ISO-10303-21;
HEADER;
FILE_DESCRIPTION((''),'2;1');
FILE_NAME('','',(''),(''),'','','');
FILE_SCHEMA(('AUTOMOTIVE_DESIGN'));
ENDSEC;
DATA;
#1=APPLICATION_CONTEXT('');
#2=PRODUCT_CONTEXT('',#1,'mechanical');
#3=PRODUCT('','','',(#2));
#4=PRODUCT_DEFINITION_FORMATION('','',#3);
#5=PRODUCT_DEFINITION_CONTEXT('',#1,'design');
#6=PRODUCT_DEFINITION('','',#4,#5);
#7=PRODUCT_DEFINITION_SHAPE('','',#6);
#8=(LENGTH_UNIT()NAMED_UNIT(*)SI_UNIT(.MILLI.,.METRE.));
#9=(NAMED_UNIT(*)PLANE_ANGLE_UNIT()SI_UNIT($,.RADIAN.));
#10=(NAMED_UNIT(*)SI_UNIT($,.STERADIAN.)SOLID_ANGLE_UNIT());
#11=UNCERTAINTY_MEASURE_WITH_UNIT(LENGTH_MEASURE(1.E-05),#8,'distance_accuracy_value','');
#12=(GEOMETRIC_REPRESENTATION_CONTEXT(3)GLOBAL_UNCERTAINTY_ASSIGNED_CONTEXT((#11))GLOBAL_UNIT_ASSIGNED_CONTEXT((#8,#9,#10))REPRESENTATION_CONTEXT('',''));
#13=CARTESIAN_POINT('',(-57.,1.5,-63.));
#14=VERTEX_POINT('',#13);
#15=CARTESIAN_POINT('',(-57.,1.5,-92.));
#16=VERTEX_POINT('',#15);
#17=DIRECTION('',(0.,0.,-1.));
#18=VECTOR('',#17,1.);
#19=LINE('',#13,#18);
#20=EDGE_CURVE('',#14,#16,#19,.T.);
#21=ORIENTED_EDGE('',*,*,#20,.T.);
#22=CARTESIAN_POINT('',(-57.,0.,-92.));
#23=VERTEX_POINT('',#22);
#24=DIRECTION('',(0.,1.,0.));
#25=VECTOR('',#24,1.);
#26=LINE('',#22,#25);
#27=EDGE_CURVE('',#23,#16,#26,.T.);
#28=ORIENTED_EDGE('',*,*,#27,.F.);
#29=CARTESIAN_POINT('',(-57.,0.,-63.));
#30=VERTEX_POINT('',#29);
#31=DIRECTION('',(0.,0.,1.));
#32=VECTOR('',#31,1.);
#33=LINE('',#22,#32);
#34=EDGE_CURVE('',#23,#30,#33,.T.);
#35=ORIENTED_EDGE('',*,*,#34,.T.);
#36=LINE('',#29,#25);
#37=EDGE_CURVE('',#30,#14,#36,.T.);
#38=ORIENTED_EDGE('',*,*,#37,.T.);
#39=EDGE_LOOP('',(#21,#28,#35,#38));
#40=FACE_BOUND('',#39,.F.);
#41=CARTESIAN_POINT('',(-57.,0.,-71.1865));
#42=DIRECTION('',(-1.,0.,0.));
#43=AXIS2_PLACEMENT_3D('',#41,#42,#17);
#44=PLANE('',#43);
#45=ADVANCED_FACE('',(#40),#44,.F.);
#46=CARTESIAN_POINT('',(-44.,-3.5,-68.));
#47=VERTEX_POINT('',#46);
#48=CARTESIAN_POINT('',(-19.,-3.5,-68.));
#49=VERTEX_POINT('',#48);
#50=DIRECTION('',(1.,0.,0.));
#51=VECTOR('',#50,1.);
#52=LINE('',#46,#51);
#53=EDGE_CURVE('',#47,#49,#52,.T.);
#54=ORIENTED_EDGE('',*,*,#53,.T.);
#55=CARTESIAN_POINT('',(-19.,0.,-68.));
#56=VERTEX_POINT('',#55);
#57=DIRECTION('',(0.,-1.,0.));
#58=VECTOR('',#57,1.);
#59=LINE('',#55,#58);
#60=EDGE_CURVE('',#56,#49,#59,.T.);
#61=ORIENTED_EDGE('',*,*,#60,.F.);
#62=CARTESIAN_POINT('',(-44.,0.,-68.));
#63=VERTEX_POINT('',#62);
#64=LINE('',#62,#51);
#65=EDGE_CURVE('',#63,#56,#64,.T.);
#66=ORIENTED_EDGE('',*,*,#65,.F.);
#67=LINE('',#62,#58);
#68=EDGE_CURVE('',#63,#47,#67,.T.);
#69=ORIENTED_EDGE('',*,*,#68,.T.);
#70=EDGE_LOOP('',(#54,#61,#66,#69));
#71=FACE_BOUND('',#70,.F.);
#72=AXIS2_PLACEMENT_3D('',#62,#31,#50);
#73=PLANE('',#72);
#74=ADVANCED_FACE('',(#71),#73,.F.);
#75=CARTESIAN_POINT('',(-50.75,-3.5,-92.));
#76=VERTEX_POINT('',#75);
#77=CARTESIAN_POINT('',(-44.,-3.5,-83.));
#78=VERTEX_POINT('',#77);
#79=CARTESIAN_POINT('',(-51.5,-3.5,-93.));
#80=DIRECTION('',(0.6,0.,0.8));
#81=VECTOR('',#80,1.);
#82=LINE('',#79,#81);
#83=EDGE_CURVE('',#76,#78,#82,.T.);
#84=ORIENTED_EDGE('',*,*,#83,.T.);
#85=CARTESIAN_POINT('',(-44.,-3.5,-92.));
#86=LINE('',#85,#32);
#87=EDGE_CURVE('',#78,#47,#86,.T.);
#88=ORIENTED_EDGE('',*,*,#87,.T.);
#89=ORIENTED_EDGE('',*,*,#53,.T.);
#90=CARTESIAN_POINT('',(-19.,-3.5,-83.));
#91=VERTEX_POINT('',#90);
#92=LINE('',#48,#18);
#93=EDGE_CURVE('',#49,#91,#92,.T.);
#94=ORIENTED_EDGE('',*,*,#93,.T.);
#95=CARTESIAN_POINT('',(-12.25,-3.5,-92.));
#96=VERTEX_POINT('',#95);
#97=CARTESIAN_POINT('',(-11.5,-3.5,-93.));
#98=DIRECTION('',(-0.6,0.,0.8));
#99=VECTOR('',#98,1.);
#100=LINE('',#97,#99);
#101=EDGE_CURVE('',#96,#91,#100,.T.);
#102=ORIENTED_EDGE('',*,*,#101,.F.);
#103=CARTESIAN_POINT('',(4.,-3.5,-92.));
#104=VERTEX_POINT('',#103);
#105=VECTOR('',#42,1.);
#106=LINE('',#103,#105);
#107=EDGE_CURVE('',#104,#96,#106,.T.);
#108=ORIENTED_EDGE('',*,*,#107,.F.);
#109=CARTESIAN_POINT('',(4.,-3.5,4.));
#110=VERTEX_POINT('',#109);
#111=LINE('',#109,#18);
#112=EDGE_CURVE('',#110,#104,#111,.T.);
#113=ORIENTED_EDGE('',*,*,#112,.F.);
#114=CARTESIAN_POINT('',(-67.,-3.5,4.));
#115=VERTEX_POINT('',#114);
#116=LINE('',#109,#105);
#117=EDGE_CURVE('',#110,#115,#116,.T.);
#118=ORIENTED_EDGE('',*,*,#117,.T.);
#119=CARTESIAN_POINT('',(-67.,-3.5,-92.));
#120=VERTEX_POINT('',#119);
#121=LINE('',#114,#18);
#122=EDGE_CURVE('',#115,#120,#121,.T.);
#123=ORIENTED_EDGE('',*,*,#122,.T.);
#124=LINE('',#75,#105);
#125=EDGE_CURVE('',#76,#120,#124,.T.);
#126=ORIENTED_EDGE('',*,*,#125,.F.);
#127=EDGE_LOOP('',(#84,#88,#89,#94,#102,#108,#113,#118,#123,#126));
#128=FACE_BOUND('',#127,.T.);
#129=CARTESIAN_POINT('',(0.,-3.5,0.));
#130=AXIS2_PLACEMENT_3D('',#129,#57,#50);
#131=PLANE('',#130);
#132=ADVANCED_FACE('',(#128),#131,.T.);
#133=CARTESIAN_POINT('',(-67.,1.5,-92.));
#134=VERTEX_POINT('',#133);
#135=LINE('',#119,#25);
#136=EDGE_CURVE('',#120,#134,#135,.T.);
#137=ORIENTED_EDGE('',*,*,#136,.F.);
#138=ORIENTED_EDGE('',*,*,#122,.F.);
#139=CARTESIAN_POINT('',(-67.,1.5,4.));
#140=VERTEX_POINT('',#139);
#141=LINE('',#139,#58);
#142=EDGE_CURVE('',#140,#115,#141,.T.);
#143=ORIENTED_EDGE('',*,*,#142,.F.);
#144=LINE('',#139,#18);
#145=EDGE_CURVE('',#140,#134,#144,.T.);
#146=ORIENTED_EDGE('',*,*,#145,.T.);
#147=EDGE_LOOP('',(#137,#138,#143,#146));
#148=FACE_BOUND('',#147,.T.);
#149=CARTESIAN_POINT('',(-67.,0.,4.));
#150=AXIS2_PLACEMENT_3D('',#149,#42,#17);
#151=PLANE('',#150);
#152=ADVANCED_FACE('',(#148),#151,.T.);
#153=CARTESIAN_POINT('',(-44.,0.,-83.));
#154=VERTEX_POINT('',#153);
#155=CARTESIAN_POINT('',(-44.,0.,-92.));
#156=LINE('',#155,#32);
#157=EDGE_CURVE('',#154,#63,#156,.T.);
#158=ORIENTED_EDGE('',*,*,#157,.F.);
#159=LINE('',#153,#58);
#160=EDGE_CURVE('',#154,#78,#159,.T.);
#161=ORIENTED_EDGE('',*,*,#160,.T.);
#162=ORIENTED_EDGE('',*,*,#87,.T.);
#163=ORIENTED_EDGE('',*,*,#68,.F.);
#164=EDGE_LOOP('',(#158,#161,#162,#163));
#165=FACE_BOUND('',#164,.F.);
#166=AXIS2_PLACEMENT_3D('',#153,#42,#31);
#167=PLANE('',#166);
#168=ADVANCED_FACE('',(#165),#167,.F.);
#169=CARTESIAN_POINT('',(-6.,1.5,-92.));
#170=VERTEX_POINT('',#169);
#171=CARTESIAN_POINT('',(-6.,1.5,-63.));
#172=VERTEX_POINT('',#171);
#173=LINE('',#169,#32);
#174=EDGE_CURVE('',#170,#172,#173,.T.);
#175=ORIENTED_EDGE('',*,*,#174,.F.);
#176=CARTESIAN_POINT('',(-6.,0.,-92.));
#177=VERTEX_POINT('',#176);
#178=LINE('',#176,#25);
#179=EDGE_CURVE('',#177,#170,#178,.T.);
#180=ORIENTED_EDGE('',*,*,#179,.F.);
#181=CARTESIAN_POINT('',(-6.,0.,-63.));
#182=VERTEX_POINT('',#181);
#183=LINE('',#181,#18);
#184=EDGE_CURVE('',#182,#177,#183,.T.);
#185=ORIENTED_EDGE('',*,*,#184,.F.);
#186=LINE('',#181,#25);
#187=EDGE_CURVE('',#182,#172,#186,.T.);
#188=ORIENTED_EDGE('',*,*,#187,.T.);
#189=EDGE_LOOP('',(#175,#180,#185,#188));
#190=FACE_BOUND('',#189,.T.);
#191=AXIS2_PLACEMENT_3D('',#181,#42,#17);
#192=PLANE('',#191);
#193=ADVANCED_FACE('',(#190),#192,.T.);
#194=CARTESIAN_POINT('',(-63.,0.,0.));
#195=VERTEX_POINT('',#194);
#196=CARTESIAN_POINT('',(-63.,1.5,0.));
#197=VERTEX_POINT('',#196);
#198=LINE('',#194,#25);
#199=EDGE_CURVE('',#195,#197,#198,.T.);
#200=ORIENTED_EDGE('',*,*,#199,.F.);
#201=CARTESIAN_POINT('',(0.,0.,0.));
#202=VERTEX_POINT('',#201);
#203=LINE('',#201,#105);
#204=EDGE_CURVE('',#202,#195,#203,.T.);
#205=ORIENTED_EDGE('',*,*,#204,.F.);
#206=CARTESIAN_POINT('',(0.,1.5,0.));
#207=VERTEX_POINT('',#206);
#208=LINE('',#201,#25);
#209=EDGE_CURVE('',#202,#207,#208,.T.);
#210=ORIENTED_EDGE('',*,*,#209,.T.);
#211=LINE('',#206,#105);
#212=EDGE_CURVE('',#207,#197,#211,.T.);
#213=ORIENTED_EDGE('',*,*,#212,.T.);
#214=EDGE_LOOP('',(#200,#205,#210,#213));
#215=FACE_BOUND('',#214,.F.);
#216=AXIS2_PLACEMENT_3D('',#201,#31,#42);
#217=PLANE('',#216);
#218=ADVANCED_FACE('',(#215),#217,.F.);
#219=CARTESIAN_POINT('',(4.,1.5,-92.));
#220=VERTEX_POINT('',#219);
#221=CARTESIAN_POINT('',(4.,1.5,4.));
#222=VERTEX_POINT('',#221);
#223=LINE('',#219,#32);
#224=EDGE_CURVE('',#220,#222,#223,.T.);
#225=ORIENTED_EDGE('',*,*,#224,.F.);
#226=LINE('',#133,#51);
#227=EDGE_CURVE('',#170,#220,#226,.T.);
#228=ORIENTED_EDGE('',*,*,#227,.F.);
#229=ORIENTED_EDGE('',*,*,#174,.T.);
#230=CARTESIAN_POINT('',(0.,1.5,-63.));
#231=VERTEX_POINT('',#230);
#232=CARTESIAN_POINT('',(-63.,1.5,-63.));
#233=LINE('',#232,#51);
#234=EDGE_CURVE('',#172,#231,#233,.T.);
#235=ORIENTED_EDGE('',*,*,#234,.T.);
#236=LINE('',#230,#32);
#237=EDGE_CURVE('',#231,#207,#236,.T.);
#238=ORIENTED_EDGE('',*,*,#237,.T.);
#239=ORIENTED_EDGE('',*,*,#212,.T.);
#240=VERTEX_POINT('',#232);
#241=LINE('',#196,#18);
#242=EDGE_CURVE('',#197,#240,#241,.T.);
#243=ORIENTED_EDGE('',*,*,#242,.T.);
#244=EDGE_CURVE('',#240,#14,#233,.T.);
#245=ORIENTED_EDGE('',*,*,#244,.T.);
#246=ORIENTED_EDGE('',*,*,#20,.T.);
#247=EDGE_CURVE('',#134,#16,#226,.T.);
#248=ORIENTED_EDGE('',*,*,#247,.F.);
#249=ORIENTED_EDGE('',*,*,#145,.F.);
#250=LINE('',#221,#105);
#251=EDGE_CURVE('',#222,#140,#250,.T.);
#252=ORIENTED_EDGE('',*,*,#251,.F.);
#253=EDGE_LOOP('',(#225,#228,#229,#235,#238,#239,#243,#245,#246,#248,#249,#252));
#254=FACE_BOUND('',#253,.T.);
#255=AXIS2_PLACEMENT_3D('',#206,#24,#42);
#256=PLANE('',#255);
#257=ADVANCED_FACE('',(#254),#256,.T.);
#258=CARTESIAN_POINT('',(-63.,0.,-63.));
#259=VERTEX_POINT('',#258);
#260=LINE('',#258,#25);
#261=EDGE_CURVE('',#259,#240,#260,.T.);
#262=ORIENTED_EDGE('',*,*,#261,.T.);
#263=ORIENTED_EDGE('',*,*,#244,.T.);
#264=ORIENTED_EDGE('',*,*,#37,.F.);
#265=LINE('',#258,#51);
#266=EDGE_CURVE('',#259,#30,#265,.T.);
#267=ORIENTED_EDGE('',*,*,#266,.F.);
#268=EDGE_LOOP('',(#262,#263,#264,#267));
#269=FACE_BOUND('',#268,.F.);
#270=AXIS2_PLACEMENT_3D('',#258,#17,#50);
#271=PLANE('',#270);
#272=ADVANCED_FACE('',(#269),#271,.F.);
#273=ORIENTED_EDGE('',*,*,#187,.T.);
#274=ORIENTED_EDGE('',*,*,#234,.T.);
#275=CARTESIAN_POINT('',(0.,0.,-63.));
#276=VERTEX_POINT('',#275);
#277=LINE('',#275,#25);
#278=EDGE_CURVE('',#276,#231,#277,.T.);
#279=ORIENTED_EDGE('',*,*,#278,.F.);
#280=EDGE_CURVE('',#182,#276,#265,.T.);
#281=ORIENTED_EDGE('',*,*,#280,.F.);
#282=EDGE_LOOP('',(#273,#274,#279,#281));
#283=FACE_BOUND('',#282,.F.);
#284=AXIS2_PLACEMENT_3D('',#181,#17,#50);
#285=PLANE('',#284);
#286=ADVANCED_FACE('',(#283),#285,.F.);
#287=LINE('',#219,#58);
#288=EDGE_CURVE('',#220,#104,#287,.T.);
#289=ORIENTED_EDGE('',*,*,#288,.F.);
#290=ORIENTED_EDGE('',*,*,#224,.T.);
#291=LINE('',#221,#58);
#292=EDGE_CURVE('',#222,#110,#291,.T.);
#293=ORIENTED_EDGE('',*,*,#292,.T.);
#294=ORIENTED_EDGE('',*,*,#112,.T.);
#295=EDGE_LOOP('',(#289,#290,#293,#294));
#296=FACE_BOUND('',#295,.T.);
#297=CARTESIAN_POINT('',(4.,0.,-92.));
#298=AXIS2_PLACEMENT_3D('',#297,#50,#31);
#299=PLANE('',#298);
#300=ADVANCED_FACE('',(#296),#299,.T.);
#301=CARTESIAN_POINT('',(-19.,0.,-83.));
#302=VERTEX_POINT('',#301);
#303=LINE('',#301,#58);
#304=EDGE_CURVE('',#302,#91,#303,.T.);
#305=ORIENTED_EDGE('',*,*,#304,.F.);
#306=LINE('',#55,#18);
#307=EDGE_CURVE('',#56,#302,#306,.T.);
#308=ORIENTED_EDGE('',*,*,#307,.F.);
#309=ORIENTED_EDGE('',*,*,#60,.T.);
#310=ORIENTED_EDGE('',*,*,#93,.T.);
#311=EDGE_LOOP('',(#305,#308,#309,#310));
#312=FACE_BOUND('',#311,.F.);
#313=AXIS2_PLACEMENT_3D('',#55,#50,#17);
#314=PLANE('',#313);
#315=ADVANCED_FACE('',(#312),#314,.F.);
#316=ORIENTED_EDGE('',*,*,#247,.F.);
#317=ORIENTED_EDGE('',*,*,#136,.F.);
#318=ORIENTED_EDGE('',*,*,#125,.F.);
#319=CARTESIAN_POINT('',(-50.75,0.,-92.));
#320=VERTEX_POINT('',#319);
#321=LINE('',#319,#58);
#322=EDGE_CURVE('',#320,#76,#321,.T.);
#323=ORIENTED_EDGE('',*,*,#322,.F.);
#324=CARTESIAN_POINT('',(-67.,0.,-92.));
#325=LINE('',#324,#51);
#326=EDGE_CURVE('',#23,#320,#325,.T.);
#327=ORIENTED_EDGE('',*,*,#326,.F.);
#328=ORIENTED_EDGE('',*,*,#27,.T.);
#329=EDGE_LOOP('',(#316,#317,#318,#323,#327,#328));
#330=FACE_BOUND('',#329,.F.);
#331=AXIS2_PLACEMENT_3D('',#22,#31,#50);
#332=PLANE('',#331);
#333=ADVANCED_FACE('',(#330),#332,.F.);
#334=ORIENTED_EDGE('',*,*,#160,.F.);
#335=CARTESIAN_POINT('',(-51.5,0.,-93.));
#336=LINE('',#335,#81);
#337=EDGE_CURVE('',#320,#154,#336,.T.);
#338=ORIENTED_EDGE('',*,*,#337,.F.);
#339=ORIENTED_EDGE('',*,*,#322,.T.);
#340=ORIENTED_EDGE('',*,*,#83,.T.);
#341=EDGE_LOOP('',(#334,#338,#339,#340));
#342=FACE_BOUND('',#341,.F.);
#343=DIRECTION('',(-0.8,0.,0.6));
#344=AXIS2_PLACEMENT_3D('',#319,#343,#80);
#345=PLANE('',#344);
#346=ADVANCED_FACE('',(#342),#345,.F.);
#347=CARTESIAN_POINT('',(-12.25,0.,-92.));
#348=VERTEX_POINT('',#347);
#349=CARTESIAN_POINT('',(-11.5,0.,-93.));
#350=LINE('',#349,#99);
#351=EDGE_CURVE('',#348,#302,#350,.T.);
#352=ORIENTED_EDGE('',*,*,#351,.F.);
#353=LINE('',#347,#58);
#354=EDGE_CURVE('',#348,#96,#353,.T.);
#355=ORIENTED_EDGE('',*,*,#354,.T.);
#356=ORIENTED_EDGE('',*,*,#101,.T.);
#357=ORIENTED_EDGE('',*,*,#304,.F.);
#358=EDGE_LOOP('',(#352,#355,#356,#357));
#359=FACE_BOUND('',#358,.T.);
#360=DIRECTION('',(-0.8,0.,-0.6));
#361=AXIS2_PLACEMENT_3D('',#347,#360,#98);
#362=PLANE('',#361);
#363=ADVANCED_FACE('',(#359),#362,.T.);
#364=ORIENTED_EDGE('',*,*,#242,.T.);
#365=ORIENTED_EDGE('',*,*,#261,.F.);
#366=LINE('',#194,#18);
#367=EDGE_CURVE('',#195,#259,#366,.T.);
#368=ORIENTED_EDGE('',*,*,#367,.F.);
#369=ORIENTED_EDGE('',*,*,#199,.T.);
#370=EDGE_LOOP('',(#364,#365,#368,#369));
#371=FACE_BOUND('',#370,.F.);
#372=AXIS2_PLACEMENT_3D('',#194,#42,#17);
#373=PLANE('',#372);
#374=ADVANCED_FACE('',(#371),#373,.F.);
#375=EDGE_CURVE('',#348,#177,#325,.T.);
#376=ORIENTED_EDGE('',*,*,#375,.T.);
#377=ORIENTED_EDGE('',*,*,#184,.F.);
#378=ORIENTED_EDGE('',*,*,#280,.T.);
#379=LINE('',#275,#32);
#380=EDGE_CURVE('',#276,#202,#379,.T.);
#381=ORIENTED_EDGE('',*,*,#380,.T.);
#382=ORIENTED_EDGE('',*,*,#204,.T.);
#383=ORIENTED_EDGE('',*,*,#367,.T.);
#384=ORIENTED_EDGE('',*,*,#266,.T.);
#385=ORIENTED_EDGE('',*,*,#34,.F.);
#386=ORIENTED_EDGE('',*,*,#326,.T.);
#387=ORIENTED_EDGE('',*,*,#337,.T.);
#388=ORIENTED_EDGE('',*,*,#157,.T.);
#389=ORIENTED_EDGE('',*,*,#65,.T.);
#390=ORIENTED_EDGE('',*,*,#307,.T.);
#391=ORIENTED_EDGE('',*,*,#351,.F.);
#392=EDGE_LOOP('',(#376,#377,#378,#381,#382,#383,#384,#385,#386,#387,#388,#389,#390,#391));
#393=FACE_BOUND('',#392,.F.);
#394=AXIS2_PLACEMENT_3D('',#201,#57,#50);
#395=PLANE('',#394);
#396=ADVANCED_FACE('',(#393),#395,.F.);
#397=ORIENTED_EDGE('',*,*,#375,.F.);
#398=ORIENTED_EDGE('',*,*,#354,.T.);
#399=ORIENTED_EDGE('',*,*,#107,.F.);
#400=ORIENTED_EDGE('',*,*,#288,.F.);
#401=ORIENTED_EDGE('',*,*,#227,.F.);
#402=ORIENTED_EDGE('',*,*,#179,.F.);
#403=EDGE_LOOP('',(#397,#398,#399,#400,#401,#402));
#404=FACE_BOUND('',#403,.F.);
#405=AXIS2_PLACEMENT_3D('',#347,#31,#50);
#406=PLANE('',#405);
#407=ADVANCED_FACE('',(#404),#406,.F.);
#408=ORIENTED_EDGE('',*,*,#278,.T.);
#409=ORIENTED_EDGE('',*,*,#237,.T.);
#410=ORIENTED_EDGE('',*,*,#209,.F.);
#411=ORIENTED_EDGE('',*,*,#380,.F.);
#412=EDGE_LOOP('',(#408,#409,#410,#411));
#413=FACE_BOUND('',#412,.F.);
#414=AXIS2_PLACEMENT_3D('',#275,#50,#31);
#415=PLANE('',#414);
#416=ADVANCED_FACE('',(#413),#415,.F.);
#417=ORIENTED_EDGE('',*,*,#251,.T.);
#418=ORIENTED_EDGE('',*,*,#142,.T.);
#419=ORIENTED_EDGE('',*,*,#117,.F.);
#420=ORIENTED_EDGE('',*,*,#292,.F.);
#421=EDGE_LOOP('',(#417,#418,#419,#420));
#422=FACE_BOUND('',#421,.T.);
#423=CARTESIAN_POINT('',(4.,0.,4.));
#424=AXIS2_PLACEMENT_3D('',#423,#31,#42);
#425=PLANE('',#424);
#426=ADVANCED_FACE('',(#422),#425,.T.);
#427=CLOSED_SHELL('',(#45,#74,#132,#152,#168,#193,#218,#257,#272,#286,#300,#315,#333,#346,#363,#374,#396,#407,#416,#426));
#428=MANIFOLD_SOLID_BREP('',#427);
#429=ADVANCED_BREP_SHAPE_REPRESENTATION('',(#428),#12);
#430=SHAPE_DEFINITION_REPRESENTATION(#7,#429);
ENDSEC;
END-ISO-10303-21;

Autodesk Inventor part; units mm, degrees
ref_plane "YZ Plane" through (0, 0, 0) normal (1, 0, 0) x (0, 1, 0)
ref_plane "XZ Plane" through (0, 0, 0) normal (0, 1, 0) x (-1, 0, 0)
ref_plane "XY Plane" through (0, 0, 0) normal (0, 0, 1) x (1, 0, 0)
sketch "Skizze1" plane through (0, 0, 0) normal (0, 1, 0) x (-1, 0, 0)
  line L0 (0, 0) -> (63, 0)
  line L1 (63, 0) -> (63, -63)
  line L2 (63, -63) -> (0, -63)
  line L3 (0, -63) -> (0, 0)
  line L4 (-4, 4) -> (67, 4)
  line L5 (67, 4) -> (67, -92)
  line L6 (67, -92) -> (-4, -92)
  line L7 (-4, -92) -> (-4, 4)
  line L8 (57, -63) -> (6, -63)
  line L9 (6, -63) -> (6, -68)
  line L10 (6, -68) -> (57, -68)
  line L11 (57, -68) -> (57, -63)
  line L12 (44, -68) -> (19, -68)
  line L13 (19, -68) -> (19, -92)
  line L14 (19, -92) -> (44, -92)
  line L15 (44, -92) -> (44, -68)
  line L16 (44, -68) -> (44, -83)
  line L17 (44, -83) -> (44, -93)
  line L18 (44, -93) -> (49.7342, -93)
  line L19 (49.7342, -93) -> (44, -83)
  line L20 (49.1608, -92) -> (44, -92)
  line L21 (19, -83) -> (19, -93)
  line L22 (19, -93) -> (11.5, -93)
  line L23 (11.5, -93) -> (19, -83)
  line L24 (12.25, -92) -> (19, -92)
  line L25 (57, -68) -> (57, -71.1865)
  line L26 (57, -71.1865) -> (57, -92)
  line L27 (6, -68) -> (6, -92)
  point P0 (19, -80)
  dimension "d0" = 63
  dimension "d1" = 63
  dimension "d2" = 71
  dimension "d3" = 96
  dimension "d4" = 51
  dimension "d5" = 5
  dimension "d6" = 6
  dimension "d7" = 6
  dimension "d8" = 4
  dimension "d9" = 25
  dimension "d10" = 24
  dimension "d11" = 15
  dimension "d14" = 10
  dimension "d15" = 10
  dimension "d16" = 15
  dimension "d23" = 13
  dimension "d24" = 13
extrude "Extrusion1" add sketch "Skizze1" along normal blind 1.5 contours L3 L2 L9 L27 L6 L7 L4 L5 L26 L25 L11 L1 L0
sketch "Skizze2" plane through (0, 0, 0) normal (0, -1, 0) x (1, 0, 0)
  line L0 (4, 4) -> (4, -92) projected
  line L1 (-57, -92) -> (-67, -92) projected
  line L2 (4, 4) -> (-67, 4)
  line L3 (-67, 4) -> (-67, -92)
  line L4 (-67, -92) -> (4, -92)
  line L5 (4, -92) -> (4, 4)
  line L6 (-19, -92) -> (-44, -92)
  line L7 (-44, -92) -> (-44, -68)
  line L8 (-44, -68) -> (-19, -68)
  line L9 (-19, -68) -> (-19, -92)
  line L10 (-6, -92) -> (-6, -63) projected
  line L11 (-57, -63) -> (-57, -92) projected
  line L12 (-44, -68) -> (-44, -83)
  line L13 (-44, -83) -> (-44, -92)
  line L14 (-44, -83) -> (-44, -93)
  line L15 (-44, -83) -> (-34, -83) construction
  line L16 (-44, -93) -> (-51.5, -93)
  line L17 (-51.5, -93) -> (-44, -83)
  line L18 (-19, -83) -> (-19, -93)
  line L19 (-19, -93) -> (-11.5, -93)
  line L20 (-11.5, -93) -> (-19, -83)
  point P0 (0, 0)
  point P1 (-50.75, -92)
  point P2 (-12.25, -92)
  dimension "d19" = 25
  dimension "d20" = 24
  dimension "d21" = 13
  dimension "d22" = 13
  dimension "d25" = 15
  dimension "d26" = 10
  dimension "d27" = 90
  dimension "d28" = 7.5
  dimension "d29" = 7.5
extrude "Extrusion2" add sketch "Skizze2" along normal blind 3.5 contours L0 L4 L20 L9 L8 L7 L17 L1 L3 L2
equation "\"d15\" = d14"
equation "\"Biegeradius\" = Stärke"
equation "\"BreiteBiegungsfreistellung\" = Stärke"
equation "\"TiefeBiegungsfreistellung\" = 0.5 * Stärke"
equation "\"GrößeEckenfreistellung\" = 4 * Stärke"
equation "\"MinimalRest\" = 2 * Stärke"
equation "\"Übergangsradius\" = Biegeradius"
equation "\"JacobiRadiusGröße\" = Biegeradius"
equation "\"Abstandsgröße\" = Stärke"
equation "\"Stärke\" = 0.5"
